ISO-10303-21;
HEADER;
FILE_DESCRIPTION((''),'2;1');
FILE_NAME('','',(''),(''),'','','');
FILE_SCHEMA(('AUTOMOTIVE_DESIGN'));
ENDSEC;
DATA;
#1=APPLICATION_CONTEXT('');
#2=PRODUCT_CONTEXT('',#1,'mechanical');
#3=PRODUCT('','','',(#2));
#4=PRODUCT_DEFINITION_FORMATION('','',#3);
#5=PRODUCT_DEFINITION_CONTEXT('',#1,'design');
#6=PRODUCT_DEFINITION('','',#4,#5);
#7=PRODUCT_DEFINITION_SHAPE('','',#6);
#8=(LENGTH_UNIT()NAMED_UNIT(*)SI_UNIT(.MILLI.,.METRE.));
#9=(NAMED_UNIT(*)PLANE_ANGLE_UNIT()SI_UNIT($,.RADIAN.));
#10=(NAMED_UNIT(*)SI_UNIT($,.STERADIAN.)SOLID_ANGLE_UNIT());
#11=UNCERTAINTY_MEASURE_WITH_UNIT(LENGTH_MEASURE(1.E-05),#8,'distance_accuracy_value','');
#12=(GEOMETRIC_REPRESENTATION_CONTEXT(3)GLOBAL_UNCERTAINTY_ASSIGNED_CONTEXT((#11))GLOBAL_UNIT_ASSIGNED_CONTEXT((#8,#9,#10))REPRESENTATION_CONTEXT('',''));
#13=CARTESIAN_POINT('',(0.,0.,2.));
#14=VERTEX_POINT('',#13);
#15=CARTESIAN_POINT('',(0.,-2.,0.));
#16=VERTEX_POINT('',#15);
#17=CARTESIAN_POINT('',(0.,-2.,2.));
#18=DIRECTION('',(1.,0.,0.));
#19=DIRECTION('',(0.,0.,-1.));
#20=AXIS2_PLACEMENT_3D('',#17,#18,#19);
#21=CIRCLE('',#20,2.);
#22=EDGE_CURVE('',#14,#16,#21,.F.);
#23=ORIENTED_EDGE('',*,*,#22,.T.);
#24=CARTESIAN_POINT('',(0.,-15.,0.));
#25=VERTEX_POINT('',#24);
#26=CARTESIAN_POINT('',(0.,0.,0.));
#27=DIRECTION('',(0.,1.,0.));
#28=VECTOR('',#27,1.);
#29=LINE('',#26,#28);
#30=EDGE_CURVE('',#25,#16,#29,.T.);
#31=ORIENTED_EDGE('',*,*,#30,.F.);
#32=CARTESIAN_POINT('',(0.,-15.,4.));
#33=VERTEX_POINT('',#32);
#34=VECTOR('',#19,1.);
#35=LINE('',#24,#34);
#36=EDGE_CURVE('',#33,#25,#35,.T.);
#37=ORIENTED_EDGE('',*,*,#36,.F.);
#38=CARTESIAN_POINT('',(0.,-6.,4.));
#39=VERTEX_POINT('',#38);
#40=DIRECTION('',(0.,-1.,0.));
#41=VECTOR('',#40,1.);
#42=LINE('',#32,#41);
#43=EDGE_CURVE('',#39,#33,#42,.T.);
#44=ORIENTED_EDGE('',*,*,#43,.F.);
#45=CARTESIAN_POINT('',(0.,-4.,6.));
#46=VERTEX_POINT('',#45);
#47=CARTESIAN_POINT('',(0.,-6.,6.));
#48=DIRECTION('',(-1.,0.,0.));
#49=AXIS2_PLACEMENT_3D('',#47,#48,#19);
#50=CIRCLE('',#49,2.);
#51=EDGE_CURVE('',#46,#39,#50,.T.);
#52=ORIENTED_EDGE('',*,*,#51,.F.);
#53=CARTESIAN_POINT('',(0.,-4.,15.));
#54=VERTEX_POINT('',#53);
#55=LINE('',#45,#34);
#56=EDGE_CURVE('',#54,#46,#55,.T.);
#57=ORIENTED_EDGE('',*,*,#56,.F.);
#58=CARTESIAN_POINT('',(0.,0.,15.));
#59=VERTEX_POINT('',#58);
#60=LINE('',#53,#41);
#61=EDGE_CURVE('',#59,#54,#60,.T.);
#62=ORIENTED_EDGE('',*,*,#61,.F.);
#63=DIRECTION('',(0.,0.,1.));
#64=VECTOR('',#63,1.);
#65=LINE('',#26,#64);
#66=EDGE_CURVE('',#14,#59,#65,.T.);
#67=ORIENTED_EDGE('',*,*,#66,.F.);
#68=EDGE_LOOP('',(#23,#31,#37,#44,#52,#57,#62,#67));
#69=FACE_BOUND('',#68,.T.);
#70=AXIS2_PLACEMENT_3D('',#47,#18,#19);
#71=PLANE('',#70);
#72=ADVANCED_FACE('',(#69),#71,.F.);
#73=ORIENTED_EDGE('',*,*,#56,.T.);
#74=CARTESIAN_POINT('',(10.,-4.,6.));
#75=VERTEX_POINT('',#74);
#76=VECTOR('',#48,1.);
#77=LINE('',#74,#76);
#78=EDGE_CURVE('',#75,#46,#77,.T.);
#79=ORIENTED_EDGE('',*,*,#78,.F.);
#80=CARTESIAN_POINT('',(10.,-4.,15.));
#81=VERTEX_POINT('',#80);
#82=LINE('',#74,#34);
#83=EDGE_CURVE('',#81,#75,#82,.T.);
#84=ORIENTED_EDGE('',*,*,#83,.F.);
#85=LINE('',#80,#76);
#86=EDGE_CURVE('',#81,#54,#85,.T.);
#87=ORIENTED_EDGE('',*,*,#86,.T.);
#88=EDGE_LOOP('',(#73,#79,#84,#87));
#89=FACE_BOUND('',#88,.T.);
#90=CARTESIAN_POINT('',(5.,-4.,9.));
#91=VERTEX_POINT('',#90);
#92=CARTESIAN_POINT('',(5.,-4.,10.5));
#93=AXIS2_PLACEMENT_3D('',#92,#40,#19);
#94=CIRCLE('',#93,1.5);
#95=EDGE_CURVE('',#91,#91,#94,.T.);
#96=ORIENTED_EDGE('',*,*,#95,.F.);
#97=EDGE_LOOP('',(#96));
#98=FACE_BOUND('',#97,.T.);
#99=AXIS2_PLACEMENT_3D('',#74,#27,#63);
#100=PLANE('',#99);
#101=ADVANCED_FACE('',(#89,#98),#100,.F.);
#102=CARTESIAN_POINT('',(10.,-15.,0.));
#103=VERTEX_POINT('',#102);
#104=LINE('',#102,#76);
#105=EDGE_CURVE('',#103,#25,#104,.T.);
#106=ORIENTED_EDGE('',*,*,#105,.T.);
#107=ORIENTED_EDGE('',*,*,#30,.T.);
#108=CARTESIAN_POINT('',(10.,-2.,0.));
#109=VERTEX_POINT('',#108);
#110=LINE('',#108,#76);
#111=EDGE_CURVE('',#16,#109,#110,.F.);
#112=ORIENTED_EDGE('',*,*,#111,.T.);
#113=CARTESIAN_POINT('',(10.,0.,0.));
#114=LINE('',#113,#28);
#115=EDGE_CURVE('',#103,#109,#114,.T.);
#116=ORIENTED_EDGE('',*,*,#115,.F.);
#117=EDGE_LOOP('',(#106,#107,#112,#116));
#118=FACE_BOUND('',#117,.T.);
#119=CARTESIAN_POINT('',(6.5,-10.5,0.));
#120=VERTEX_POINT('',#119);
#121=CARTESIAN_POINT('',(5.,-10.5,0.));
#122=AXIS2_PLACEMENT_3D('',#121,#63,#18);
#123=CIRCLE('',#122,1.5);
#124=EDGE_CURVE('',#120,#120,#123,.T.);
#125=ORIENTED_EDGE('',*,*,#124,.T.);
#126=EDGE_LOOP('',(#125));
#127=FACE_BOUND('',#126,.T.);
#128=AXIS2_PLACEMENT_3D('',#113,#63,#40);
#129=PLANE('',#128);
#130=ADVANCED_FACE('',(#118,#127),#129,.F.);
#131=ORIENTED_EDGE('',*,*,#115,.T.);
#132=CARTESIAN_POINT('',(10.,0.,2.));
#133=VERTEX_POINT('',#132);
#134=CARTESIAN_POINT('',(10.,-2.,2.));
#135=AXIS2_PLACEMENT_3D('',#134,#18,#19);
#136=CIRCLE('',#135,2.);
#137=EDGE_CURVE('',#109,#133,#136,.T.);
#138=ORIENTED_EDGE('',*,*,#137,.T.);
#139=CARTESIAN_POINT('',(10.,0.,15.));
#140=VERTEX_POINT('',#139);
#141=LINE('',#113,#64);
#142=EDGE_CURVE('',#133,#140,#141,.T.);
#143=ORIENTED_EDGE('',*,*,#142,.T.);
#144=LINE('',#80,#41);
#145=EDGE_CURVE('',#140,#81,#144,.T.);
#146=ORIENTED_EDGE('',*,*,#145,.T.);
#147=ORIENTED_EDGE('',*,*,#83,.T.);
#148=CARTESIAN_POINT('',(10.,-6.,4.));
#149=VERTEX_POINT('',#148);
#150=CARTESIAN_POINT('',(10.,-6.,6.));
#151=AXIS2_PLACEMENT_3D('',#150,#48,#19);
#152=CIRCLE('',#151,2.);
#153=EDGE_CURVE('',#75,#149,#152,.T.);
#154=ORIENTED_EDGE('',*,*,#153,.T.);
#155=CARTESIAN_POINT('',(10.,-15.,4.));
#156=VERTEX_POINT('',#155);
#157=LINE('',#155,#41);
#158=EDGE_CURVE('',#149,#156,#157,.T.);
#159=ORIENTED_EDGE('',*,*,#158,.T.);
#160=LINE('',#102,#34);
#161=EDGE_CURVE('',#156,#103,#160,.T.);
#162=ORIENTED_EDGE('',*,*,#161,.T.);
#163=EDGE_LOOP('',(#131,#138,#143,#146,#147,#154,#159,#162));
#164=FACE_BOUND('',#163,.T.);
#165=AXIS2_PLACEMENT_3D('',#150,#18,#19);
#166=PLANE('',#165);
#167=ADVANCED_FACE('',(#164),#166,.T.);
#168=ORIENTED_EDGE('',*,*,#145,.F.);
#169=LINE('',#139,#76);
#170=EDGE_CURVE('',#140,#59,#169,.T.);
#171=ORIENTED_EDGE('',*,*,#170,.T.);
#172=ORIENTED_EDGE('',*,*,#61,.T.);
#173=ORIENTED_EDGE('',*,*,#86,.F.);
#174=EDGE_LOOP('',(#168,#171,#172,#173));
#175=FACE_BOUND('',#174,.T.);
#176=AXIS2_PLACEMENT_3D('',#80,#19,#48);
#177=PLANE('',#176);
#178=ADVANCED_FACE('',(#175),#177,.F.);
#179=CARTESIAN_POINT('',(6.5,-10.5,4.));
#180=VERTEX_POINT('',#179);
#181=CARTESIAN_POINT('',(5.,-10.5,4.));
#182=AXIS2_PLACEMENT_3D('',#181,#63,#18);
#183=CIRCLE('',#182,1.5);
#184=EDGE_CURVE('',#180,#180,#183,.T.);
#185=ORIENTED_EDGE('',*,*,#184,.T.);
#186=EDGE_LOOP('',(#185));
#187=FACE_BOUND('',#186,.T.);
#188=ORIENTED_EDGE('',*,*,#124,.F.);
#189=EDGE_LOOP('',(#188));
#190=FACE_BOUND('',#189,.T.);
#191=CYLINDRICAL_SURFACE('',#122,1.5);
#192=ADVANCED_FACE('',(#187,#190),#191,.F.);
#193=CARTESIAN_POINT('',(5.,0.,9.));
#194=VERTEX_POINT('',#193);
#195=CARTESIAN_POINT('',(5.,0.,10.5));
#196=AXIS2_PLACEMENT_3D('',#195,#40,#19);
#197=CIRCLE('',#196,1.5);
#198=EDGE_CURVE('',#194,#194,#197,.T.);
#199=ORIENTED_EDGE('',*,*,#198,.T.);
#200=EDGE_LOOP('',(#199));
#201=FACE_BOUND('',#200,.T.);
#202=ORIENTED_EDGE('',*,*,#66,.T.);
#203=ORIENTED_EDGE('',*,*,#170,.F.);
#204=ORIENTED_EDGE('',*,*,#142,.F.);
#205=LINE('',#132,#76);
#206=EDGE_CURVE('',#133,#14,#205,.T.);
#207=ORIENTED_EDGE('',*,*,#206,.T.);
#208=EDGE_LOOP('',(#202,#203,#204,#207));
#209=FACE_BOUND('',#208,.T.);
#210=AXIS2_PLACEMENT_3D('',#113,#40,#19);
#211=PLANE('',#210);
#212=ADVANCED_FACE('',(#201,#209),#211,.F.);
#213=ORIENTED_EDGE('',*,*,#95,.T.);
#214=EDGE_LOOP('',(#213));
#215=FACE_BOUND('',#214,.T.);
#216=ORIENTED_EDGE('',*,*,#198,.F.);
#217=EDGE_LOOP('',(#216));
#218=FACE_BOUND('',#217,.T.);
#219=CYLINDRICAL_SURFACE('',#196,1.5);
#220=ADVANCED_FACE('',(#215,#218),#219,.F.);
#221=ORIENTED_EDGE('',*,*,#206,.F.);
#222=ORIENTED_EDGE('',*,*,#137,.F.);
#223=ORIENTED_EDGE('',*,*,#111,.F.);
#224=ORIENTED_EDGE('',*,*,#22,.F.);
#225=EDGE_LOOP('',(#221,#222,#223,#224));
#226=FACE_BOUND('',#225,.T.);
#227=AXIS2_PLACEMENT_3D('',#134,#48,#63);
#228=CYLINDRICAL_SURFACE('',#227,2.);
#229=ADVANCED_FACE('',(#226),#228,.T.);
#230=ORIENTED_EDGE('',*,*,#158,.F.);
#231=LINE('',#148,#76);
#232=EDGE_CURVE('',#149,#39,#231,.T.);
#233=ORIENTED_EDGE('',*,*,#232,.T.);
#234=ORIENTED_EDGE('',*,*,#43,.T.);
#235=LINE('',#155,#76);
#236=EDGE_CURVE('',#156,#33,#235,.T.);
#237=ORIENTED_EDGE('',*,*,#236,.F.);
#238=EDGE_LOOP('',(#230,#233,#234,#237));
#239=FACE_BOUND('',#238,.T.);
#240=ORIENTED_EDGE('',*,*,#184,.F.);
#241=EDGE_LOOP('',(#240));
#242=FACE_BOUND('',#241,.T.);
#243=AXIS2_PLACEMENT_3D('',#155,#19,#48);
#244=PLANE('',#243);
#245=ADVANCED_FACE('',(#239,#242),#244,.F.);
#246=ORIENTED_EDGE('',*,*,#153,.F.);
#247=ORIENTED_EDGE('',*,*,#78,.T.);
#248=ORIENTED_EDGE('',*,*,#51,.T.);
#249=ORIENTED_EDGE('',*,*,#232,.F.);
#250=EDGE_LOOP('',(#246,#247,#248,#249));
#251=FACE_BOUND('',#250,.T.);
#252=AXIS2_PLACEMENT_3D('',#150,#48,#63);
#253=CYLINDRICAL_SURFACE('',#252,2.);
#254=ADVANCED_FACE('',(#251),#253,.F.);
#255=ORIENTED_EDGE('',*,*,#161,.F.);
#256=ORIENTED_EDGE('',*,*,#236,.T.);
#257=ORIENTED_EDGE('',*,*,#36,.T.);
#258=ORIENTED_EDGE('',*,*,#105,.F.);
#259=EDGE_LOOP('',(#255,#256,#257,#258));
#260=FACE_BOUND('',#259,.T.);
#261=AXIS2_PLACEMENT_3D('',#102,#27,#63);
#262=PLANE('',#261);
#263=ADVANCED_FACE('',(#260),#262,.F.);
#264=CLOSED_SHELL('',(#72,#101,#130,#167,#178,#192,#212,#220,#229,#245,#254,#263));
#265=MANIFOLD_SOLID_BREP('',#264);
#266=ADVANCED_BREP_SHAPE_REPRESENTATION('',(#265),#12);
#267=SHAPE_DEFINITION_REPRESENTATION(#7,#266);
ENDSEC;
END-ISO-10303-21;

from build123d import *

# Parameters (mm, degrees)
BOSS_EXTRUDE1_DEPTH = 10
SKETCH2_R           = 1.5
CUT_EXTRUDE2_DEPTH  = 22.118712082
SKETCH3_R           = 1.5
CUT_EXTRUDE3_DEPTH  = 22.118712082
FILLET1_R           = 2


with BuildPart() as part:
    # Sketch1 → Boss-Extrude1 (new body)
    with BuildSketch(Plane.YZ):
        with BuildLine():
            Line((0, 0), (0, 15))
            Line((0, 15), (-4, 15))
            Line((-4, 15), (-4, 6))
            ThreePointArc((-4, 6), (-4.585786438, 4.585786438), (-6, 4))
            Line((-6, 4), (-15, 4))
            Line((-15, 4), (-15, 0))
            Line((-15, 0), (0, 0))
        make_face()
    extrude(amount=BOSS_EXTRUDE1_DEPTH)

    # Sketch2 → Cut-Extrude2 (cut, through all)
    with BuildSketch(Plane.XZ.offset(4)):
        with Locations(Location((5, 10.5, 0), (0, 0, 270))):
            Circle(SKETCH2_R)
    extrude(amount=-CUT_EXTRUDE2_DEPTH, mode=Mode.SUBTRACT)

    # Sketch3 → Cut-Extrude3 (cut, through all)
    with BuildSketch(Plane.XY.offset(4)):
        with Locations((5, -10.5)):
            Circle(SKETCH3_R)
    extrude(amount=-CUT_EXTRUDE3_DEPTH, mode=Mode.SUBTRACT)

    # Fillet1
    fillet1_edges = [part.edges().sort_by_distance(p)[0] for p in [
        (5, 0, 0),
    ]]
    fillet(fillet1_edges, radius=FILLET1_R)


solid = part.part
